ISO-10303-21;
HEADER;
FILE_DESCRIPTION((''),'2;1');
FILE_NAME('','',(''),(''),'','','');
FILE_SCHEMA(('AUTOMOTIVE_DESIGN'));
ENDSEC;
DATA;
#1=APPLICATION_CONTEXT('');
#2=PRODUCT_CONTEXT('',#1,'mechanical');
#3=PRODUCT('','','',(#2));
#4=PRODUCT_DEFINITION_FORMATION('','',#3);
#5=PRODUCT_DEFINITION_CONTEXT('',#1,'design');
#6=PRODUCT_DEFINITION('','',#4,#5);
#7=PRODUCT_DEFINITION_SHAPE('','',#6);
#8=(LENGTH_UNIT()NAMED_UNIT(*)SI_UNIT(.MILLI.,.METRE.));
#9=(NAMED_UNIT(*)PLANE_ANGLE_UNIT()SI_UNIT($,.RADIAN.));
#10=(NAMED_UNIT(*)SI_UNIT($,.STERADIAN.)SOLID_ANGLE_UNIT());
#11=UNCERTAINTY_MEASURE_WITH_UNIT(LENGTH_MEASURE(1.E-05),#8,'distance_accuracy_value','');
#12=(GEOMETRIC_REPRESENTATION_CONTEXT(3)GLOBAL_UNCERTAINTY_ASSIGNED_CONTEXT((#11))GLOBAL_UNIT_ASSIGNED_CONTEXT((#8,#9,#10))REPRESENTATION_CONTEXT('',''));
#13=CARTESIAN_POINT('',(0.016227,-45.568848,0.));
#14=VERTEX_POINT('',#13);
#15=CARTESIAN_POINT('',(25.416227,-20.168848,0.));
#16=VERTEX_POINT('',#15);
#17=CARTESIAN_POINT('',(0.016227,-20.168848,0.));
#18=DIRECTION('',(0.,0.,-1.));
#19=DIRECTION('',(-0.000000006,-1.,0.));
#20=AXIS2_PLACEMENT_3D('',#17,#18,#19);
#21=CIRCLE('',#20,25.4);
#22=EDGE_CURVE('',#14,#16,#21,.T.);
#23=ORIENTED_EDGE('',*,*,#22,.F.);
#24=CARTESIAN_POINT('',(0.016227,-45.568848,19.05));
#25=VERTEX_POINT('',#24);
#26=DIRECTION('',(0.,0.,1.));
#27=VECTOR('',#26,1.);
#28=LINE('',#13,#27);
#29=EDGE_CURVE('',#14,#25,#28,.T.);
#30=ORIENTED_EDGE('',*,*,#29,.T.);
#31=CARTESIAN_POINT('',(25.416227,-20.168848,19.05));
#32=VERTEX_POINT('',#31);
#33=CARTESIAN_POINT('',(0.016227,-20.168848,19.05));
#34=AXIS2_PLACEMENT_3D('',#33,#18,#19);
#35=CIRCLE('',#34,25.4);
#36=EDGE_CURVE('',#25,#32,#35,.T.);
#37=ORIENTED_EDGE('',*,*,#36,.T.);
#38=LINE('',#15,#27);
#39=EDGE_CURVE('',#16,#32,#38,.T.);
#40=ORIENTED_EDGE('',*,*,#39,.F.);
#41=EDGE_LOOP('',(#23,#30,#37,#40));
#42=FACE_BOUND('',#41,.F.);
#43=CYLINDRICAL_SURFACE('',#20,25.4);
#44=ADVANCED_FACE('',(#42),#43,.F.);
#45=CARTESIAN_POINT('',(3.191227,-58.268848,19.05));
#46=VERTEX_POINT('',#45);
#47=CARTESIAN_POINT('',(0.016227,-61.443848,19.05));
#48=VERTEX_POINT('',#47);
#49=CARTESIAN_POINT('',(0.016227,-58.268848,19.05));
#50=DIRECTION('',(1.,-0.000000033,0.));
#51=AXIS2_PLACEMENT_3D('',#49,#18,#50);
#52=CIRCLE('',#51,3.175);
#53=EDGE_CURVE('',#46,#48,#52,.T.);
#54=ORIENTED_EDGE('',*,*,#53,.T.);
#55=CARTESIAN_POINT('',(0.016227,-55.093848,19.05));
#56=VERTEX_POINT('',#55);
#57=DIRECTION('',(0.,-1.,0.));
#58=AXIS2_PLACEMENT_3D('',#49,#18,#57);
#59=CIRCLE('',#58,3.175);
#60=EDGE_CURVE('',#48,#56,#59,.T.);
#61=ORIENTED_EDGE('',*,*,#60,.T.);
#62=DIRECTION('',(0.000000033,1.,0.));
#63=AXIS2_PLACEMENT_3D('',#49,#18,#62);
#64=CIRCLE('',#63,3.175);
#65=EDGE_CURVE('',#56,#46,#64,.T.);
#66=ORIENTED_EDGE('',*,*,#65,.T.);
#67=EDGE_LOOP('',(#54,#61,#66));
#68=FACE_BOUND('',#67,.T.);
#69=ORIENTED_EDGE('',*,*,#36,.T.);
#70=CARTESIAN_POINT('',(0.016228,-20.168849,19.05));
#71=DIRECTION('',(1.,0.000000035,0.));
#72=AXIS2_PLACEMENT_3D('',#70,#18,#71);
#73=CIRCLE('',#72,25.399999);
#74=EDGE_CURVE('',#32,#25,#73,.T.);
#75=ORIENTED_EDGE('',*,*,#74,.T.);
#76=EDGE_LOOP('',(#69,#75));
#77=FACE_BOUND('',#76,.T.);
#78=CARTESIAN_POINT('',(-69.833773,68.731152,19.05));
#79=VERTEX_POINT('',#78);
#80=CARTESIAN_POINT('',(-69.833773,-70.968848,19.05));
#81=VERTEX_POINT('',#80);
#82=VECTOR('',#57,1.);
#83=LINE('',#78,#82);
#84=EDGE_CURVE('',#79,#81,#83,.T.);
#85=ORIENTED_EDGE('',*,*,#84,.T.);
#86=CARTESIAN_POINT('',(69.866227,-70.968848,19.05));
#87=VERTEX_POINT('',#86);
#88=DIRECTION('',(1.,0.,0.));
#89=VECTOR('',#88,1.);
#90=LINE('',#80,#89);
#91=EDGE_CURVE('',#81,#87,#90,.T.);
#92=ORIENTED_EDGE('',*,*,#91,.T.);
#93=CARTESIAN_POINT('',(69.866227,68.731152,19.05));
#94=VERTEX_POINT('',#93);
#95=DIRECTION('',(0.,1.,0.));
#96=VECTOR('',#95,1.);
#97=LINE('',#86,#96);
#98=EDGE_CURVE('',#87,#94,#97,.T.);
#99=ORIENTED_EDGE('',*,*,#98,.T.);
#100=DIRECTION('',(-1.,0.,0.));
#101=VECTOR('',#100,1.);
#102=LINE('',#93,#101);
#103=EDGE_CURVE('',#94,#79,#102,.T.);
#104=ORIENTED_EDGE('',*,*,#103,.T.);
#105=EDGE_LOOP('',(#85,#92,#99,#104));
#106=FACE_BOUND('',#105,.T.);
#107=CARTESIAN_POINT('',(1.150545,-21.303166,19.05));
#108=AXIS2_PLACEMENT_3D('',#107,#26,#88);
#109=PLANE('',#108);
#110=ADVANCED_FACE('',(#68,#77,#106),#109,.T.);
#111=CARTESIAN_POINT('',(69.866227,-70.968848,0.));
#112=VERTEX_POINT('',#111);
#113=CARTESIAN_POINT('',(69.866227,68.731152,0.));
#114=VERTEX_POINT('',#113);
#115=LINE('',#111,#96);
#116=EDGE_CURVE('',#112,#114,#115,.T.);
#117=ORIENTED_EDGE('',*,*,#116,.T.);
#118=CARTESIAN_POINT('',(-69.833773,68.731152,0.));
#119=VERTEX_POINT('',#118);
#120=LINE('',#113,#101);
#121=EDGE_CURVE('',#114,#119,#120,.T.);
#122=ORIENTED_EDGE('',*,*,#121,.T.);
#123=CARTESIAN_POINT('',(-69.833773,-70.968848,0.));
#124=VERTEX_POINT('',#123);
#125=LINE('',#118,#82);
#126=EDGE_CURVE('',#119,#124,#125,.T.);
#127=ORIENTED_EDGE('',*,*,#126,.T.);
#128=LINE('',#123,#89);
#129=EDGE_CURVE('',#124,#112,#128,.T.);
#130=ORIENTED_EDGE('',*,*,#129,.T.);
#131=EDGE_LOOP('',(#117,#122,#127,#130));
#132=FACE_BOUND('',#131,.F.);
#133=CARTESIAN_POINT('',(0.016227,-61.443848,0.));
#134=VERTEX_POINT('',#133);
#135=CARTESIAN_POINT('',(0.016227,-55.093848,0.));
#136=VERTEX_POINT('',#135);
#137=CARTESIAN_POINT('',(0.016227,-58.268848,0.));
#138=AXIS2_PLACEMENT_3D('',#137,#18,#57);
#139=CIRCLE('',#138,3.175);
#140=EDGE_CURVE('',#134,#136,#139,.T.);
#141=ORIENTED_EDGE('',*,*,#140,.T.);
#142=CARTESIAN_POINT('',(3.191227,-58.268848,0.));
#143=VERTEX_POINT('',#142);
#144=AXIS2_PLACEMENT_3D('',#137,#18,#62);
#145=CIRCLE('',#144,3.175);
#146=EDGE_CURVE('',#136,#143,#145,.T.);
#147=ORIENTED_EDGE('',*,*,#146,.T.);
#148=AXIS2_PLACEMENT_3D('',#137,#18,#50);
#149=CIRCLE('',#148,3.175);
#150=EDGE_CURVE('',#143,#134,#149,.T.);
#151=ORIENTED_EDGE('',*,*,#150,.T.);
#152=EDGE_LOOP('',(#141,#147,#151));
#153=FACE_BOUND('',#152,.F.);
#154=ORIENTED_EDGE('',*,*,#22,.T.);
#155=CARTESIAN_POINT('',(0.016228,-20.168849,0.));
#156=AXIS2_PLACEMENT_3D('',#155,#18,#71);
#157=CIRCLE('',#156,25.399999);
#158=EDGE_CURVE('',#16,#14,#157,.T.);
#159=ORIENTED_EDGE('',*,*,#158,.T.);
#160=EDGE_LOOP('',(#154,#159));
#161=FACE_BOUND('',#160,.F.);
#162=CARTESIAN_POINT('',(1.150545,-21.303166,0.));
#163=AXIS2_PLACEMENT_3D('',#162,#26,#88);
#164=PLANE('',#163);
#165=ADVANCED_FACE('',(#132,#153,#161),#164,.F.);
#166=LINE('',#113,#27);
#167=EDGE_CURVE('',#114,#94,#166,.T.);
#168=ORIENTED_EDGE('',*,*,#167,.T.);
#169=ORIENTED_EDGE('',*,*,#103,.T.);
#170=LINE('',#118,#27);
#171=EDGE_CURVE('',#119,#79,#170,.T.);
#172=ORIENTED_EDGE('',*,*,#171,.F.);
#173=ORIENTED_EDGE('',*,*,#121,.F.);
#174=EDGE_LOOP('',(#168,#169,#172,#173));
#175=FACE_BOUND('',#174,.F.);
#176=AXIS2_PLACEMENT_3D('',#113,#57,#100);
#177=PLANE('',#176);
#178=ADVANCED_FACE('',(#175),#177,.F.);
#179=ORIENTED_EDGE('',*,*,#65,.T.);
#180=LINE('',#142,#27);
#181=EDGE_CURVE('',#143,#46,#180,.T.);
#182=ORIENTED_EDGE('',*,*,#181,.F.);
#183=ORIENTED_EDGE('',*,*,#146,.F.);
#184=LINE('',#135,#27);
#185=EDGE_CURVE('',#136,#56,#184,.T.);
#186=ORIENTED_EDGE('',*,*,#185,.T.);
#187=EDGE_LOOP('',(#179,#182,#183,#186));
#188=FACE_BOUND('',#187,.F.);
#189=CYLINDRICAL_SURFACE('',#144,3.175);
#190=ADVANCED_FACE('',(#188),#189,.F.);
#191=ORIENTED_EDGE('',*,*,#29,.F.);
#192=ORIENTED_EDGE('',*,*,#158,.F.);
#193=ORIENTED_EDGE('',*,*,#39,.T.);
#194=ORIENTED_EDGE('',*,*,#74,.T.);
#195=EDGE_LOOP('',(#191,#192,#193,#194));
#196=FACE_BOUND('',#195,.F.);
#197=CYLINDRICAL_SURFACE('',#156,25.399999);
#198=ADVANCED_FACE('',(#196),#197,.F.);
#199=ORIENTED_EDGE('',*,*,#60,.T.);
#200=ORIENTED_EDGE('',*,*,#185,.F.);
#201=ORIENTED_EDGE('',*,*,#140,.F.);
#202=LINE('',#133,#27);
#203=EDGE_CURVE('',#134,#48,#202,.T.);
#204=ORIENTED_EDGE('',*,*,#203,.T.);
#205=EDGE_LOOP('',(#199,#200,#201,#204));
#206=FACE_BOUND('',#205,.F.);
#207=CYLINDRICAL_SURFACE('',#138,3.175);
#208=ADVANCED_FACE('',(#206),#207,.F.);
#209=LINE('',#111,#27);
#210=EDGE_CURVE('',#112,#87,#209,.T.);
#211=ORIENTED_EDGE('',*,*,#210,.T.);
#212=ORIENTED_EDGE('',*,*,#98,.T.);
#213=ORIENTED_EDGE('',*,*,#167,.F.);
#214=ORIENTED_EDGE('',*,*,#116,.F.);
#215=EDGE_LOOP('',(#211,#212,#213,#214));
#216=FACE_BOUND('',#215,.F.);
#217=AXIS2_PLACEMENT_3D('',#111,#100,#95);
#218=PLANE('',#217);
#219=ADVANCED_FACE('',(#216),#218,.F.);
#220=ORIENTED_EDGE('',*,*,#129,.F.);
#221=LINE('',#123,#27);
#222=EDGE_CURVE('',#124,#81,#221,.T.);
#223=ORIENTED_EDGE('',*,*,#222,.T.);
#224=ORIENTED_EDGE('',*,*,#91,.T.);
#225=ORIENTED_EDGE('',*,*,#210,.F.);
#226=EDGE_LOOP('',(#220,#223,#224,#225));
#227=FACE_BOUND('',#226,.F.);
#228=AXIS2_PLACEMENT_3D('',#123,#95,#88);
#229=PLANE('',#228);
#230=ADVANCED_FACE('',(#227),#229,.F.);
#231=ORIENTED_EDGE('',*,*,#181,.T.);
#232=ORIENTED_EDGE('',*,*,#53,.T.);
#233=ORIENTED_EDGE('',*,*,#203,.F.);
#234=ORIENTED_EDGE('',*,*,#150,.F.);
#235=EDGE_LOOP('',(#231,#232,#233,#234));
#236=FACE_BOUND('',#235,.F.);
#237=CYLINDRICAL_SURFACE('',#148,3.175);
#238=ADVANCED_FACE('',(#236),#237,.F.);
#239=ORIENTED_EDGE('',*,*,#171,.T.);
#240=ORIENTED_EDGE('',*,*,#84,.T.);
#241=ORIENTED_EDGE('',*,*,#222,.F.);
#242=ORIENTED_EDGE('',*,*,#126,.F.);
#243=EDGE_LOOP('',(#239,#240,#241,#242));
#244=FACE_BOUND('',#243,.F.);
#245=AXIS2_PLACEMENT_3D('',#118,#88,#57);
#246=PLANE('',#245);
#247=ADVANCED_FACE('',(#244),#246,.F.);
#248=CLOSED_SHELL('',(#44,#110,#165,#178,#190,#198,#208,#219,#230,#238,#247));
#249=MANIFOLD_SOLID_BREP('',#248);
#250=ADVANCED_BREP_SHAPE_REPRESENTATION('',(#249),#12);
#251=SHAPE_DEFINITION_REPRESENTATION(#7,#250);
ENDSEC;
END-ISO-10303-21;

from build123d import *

# Parameters (mm, degrees)
F1_DEPTH = 19.05


with BuildPart() as f1:
    # F0 (on Top) → F1 (new body)
    with BuildSketch(Plane.XY):
        with BuildLine():
            ThreePointArc((25.416227, -20.168848), (-17.944285, -2.208336), (0.016227, -45.568848))
            ThreePointArc((0.016227, -45.568848), (17.97674, -38.12936), (25.416227, -20.168848))
        make_face()
        Polygon((0.016227, -70.968848), (69.866227, -70.968848), (69.866227, 68.731152), (-69.833773, 68.731152), (-69.833773, -70.968848), align=None)
        with BuildLine():
            ThreePointArc((3.191227, -58.268848), (2.261291, -60.513912), (0.016227, -61.443848))
            ThreePointArc((0.016227, -61.443848), (-3.158773, -58.268848), (0.016227, -55.093848))
            ThreePointArc((0.016227, -55.093848), (2.261291, -56.023784), (3.191227, -58.268848))
        make_face(mode=Mode.SUBTRACT)
        with BuildLine():
            ThreePointArc((25.416227, -20.168848), (17.97674, -38.12936), (0.016227, -45.568848))
            ThreePointArc((0.016227, -45.568848), (-17.944285, -2.208336), (25.416227, -20.168848))
        make_face(mode=Mode.SUBTRACT)
    extrude(amount=F1_DEPTH)


solid = f1.part
